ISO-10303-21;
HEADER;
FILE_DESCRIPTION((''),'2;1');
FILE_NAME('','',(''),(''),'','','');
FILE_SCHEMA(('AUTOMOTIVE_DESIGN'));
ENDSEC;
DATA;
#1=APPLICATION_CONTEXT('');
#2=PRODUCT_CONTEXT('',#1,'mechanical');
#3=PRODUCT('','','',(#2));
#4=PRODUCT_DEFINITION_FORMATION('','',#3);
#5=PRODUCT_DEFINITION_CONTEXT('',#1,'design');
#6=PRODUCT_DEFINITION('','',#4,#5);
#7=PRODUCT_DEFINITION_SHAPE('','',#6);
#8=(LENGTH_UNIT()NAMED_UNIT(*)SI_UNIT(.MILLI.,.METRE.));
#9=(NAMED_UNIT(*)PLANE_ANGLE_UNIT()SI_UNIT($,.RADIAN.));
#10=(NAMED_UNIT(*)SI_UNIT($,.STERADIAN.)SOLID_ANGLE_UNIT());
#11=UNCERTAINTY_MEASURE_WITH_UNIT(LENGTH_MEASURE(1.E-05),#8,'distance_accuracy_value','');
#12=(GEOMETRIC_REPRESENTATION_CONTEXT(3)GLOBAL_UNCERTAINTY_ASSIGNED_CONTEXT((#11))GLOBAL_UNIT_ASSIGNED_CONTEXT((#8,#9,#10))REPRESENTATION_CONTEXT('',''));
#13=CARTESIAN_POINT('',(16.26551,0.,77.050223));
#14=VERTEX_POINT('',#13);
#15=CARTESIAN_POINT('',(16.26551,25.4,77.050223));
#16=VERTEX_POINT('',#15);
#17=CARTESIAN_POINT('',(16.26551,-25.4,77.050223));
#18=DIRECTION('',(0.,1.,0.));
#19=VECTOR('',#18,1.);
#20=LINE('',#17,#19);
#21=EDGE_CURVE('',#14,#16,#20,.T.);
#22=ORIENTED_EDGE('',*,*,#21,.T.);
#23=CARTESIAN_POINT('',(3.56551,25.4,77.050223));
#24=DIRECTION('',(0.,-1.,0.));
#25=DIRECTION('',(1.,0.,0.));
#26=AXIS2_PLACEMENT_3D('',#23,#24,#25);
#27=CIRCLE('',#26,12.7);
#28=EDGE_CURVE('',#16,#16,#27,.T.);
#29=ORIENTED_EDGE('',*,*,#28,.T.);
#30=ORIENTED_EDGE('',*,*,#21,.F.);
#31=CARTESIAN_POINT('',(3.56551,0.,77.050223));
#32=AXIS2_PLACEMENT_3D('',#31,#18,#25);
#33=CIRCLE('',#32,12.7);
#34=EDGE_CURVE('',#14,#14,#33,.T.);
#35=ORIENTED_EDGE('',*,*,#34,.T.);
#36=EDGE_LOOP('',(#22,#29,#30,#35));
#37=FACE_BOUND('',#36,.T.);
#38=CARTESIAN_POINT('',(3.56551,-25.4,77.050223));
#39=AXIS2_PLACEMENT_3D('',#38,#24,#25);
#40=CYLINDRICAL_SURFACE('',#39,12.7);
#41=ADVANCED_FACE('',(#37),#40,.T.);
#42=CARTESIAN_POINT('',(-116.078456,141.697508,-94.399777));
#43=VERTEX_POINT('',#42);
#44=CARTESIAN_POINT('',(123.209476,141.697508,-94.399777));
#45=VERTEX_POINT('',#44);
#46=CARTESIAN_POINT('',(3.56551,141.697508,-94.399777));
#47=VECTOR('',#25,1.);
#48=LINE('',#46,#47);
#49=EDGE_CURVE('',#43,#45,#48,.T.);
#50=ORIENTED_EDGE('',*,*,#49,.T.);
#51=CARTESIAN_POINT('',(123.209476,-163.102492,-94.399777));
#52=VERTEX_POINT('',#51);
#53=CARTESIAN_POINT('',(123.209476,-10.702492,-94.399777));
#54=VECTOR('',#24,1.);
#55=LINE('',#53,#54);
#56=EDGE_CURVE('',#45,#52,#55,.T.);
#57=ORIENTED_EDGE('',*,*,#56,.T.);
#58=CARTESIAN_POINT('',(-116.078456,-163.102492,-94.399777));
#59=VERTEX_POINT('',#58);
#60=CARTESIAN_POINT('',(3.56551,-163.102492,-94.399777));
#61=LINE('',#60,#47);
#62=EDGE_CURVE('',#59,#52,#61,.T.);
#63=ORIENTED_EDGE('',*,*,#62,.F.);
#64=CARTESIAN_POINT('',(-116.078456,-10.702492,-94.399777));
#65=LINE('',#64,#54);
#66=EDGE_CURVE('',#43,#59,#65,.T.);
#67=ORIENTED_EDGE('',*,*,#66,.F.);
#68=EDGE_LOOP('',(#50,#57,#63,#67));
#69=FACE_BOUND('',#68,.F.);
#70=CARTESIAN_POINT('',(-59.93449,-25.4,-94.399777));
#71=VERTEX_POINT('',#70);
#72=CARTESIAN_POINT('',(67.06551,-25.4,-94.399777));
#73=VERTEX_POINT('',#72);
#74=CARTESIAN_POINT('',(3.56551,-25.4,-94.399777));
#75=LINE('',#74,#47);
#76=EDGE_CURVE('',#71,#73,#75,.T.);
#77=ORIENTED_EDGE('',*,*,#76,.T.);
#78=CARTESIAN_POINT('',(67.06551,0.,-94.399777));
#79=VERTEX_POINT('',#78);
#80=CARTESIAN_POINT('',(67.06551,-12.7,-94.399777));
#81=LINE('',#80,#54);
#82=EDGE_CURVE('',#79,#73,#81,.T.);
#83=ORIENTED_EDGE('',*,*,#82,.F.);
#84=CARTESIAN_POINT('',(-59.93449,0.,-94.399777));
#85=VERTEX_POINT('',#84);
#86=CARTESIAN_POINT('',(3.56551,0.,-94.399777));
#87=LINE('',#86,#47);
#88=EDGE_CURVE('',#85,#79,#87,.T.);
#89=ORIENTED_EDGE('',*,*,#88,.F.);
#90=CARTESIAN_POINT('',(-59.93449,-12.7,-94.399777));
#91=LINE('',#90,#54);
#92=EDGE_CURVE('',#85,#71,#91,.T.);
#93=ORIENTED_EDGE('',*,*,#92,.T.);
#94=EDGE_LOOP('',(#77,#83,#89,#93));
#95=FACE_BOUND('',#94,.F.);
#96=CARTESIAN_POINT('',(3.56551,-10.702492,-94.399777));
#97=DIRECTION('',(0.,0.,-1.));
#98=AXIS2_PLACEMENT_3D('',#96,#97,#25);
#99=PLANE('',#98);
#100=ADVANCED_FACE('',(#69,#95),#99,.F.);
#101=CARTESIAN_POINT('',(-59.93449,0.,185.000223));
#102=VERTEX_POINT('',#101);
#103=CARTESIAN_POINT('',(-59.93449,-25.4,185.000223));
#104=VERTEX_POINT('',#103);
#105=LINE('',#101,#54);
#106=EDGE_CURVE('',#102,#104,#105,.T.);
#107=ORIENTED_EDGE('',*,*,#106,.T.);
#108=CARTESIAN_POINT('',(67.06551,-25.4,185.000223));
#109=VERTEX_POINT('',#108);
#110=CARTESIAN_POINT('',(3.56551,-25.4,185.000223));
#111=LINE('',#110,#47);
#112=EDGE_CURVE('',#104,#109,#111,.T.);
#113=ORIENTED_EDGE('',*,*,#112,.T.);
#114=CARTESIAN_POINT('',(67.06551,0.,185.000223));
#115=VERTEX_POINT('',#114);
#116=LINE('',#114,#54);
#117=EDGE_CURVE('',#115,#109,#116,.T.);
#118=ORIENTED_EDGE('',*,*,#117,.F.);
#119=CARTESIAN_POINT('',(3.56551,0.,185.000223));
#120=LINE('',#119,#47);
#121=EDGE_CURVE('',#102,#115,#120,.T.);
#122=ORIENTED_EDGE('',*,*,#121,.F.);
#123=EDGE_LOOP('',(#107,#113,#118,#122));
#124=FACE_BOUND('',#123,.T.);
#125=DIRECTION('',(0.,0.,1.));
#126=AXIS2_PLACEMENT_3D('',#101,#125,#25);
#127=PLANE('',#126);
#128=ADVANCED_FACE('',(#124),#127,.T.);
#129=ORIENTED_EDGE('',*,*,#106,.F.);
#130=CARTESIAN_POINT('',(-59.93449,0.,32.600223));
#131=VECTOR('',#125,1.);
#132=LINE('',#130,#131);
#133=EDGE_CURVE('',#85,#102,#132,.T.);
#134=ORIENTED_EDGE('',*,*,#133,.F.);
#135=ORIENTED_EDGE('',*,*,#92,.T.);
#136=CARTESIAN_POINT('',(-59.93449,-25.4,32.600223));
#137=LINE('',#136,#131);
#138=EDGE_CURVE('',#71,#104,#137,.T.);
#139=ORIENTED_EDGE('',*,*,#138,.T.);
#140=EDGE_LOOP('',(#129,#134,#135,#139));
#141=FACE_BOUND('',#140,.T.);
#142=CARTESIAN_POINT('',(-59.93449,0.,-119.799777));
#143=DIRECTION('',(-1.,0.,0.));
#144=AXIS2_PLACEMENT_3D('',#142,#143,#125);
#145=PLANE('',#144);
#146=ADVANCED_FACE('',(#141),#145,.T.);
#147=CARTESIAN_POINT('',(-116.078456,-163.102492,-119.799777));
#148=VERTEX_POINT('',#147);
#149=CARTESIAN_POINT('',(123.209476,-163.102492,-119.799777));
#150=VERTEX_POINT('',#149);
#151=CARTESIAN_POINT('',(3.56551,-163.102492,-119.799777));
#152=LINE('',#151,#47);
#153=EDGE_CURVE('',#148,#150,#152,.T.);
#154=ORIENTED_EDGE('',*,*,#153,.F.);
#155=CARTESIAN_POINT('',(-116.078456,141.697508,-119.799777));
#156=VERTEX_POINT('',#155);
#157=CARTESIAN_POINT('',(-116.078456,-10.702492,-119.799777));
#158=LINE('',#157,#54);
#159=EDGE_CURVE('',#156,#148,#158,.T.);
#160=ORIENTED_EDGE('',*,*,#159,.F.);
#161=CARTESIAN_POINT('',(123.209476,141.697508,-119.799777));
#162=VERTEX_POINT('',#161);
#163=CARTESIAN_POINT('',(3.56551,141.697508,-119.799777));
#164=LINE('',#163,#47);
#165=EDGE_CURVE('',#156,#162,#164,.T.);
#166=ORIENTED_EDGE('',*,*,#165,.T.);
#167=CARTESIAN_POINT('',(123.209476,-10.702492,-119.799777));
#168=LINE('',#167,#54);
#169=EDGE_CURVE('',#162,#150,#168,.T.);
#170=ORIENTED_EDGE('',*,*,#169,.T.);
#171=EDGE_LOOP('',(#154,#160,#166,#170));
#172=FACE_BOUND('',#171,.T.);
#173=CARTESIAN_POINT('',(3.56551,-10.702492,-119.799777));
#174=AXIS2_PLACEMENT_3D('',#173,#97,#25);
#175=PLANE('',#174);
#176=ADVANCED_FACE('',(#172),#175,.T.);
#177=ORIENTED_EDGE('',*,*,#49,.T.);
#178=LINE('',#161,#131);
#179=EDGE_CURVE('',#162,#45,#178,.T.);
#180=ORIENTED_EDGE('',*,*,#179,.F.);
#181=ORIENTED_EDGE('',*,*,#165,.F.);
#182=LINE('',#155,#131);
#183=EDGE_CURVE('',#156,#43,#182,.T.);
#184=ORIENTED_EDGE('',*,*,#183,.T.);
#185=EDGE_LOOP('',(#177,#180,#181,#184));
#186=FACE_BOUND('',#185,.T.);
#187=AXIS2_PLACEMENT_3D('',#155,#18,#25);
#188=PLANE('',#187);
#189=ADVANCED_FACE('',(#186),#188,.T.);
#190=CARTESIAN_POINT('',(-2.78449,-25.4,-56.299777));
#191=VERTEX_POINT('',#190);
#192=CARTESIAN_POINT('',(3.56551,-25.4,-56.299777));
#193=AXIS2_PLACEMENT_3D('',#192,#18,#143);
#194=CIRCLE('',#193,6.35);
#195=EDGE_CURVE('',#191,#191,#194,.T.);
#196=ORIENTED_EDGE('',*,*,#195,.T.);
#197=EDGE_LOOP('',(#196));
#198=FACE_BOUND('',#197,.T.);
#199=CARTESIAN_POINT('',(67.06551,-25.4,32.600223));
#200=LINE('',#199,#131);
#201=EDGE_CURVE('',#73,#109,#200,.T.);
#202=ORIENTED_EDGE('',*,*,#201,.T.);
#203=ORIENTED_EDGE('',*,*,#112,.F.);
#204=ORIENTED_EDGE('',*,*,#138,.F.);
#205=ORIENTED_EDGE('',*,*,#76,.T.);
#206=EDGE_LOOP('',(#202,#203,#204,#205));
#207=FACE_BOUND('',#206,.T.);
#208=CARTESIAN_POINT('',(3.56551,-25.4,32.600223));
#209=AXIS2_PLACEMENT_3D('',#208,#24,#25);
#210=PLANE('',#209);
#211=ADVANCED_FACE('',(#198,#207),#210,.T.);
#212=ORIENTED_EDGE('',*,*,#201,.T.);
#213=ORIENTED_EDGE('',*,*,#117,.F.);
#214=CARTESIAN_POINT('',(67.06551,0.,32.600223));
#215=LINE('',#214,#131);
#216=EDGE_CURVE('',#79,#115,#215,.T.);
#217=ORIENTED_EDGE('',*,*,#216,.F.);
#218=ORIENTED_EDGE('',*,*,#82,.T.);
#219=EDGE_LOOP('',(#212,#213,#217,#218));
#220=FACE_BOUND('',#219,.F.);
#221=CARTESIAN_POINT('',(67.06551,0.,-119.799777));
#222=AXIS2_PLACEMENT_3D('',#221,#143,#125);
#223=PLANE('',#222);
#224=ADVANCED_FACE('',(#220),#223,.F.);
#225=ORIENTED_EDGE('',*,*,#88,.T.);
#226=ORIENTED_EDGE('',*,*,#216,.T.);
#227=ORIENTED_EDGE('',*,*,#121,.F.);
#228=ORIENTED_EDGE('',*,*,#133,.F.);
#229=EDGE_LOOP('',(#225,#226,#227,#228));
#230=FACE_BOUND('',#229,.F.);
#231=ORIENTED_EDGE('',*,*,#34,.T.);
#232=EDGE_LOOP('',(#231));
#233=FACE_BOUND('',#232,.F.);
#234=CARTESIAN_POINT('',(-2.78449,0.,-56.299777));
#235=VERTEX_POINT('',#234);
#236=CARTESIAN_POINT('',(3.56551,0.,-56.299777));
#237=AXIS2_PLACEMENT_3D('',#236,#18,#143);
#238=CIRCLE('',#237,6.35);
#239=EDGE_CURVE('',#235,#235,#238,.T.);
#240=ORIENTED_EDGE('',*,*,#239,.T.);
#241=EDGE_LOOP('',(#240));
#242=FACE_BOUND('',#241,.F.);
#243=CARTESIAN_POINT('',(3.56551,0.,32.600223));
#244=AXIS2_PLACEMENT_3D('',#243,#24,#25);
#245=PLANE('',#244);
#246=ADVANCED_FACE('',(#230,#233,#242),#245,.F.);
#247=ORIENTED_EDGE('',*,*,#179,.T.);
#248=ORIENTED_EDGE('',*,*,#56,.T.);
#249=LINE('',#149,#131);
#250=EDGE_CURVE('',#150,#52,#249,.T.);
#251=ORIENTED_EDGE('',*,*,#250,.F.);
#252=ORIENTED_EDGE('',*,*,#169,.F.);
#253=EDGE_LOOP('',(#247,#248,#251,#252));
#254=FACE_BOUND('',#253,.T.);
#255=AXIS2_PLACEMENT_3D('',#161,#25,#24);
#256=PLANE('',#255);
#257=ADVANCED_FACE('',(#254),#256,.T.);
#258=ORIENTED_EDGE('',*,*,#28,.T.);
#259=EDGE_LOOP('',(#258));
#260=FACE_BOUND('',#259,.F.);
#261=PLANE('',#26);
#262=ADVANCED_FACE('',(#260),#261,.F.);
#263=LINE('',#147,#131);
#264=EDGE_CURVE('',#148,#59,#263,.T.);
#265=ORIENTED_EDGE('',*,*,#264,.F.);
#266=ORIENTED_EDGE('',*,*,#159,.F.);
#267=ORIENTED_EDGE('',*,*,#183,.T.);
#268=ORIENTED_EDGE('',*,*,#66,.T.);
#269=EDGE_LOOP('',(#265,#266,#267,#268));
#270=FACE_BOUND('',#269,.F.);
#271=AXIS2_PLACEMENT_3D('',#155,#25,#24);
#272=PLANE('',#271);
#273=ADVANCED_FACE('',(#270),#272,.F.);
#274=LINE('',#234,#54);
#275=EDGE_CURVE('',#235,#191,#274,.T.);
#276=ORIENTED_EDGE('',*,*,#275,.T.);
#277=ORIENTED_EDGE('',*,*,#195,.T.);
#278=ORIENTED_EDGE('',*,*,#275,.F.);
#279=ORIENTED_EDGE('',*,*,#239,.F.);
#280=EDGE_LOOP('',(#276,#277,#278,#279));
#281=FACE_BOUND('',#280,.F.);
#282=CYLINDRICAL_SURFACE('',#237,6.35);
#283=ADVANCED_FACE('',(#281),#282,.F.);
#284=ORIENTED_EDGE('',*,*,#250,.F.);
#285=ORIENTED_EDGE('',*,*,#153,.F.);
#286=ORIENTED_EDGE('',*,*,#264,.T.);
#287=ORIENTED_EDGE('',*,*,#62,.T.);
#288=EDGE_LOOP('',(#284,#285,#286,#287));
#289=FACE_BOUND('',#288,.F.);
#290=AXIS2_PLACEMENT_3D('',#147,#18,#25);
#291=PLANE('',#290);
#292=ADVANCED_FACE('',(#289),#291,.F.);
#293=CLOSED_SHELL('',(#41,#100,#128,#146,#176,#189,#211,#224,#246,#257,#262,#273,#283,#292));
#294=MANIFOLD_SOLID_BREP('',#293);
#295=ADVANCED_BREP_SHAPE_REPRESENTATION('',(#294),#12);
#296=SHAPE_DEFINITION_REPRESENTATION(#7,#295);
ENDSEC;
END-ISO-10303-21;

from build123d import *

# Parameters (mm, degrees)
F0_W      = 127
F0_H      = 304.8
F1_DEPTH  = 25.4
F2_W      = 239.287932
F2_H      = 304.8
F2_W_2    = 127
F2_H_2    = 25.4
F3_DEPTH  = 25.4
F4_R      = 6.35
F5_DEPTH  = 167.098508
F6_R      = 12.7
F6_R_2    = 6.35
F7_DEPTH  = 32.258
F8_R      = 12.7
F9_DEPTH  = 50.8
F10_R     = 6.35
F11_DEPTH = 78.232


with BuildPart() as f1:
    # F0 (on Front) → F1 (new body)
    with BuildSketch(Plane.XZ):
        with Locations((3.56551, 32.600223)):
            Rectangle(F0_W, F0_H)
    extrude(amount=F1_DEPTH)

    # F2 (on face) → F3 (join)
    with BuildSketch(Plane(origin=(0, 0, -119.799777), x_dir=(1, 0, 0), z_dir=(0, 0, -1))):
        with Locations((3.56551, 10.702492)):
            Rectangle(F2_W, F2_H)
        with Locations((3.56551, 12.7)):
            Rectangle(F2_W_2, F2_H_2, mode=Mode.SUBTRACT)
    extrude(amount=-F3_DEPTH)

    # F4 (on face) → F5 (cut, through all)
    with BuildSketch(Plane.XZ.offset(25.4)):
        with Locations((3.56551, 77.050223)):
            Circle(F4_R)
    extrude(amount=-F5_DEPTH, mode=Mode.SUBTRACT)

    # F6 (on face) → F7 (cut)
    with BuildSketch(Plane(origin=(0, 0, 0), x_dir=(-1, 0, 0), z_dir=(0, 1, 0))):
        with Locations((-3.56551, 77.050223)):
            Circle(F6_R)
        with Locations((-3.56551, 77.050223)):
            Circle(F6_R_2, mode=Mode.SUBTRACT)
    extrude(amount=-F7_DEPTH, mode=Mode.SUBTRACT)

    # F8 (on face) → F9 (join)
    with BuildSketch(Plane.XZ.offset(25.4)):
        with Locations((3.56551, 77.050223)):
            Circle(F8_R)
    extrude(amount=-F9_DEPTH)

    # F10 (on face) → F11 (cut)
    with BuildSketch(Plane(origin=(0, 0, 0), x_dir=(-1, 0, 0), z_dir=(0, 1, 0))):
        with Locations((-3.56551, -56.299777)):
            Circle(F10_R)
    extrude(amount=-F11_DEPTH, mode=Mode.SUBTRACT)


solid = f1.part
